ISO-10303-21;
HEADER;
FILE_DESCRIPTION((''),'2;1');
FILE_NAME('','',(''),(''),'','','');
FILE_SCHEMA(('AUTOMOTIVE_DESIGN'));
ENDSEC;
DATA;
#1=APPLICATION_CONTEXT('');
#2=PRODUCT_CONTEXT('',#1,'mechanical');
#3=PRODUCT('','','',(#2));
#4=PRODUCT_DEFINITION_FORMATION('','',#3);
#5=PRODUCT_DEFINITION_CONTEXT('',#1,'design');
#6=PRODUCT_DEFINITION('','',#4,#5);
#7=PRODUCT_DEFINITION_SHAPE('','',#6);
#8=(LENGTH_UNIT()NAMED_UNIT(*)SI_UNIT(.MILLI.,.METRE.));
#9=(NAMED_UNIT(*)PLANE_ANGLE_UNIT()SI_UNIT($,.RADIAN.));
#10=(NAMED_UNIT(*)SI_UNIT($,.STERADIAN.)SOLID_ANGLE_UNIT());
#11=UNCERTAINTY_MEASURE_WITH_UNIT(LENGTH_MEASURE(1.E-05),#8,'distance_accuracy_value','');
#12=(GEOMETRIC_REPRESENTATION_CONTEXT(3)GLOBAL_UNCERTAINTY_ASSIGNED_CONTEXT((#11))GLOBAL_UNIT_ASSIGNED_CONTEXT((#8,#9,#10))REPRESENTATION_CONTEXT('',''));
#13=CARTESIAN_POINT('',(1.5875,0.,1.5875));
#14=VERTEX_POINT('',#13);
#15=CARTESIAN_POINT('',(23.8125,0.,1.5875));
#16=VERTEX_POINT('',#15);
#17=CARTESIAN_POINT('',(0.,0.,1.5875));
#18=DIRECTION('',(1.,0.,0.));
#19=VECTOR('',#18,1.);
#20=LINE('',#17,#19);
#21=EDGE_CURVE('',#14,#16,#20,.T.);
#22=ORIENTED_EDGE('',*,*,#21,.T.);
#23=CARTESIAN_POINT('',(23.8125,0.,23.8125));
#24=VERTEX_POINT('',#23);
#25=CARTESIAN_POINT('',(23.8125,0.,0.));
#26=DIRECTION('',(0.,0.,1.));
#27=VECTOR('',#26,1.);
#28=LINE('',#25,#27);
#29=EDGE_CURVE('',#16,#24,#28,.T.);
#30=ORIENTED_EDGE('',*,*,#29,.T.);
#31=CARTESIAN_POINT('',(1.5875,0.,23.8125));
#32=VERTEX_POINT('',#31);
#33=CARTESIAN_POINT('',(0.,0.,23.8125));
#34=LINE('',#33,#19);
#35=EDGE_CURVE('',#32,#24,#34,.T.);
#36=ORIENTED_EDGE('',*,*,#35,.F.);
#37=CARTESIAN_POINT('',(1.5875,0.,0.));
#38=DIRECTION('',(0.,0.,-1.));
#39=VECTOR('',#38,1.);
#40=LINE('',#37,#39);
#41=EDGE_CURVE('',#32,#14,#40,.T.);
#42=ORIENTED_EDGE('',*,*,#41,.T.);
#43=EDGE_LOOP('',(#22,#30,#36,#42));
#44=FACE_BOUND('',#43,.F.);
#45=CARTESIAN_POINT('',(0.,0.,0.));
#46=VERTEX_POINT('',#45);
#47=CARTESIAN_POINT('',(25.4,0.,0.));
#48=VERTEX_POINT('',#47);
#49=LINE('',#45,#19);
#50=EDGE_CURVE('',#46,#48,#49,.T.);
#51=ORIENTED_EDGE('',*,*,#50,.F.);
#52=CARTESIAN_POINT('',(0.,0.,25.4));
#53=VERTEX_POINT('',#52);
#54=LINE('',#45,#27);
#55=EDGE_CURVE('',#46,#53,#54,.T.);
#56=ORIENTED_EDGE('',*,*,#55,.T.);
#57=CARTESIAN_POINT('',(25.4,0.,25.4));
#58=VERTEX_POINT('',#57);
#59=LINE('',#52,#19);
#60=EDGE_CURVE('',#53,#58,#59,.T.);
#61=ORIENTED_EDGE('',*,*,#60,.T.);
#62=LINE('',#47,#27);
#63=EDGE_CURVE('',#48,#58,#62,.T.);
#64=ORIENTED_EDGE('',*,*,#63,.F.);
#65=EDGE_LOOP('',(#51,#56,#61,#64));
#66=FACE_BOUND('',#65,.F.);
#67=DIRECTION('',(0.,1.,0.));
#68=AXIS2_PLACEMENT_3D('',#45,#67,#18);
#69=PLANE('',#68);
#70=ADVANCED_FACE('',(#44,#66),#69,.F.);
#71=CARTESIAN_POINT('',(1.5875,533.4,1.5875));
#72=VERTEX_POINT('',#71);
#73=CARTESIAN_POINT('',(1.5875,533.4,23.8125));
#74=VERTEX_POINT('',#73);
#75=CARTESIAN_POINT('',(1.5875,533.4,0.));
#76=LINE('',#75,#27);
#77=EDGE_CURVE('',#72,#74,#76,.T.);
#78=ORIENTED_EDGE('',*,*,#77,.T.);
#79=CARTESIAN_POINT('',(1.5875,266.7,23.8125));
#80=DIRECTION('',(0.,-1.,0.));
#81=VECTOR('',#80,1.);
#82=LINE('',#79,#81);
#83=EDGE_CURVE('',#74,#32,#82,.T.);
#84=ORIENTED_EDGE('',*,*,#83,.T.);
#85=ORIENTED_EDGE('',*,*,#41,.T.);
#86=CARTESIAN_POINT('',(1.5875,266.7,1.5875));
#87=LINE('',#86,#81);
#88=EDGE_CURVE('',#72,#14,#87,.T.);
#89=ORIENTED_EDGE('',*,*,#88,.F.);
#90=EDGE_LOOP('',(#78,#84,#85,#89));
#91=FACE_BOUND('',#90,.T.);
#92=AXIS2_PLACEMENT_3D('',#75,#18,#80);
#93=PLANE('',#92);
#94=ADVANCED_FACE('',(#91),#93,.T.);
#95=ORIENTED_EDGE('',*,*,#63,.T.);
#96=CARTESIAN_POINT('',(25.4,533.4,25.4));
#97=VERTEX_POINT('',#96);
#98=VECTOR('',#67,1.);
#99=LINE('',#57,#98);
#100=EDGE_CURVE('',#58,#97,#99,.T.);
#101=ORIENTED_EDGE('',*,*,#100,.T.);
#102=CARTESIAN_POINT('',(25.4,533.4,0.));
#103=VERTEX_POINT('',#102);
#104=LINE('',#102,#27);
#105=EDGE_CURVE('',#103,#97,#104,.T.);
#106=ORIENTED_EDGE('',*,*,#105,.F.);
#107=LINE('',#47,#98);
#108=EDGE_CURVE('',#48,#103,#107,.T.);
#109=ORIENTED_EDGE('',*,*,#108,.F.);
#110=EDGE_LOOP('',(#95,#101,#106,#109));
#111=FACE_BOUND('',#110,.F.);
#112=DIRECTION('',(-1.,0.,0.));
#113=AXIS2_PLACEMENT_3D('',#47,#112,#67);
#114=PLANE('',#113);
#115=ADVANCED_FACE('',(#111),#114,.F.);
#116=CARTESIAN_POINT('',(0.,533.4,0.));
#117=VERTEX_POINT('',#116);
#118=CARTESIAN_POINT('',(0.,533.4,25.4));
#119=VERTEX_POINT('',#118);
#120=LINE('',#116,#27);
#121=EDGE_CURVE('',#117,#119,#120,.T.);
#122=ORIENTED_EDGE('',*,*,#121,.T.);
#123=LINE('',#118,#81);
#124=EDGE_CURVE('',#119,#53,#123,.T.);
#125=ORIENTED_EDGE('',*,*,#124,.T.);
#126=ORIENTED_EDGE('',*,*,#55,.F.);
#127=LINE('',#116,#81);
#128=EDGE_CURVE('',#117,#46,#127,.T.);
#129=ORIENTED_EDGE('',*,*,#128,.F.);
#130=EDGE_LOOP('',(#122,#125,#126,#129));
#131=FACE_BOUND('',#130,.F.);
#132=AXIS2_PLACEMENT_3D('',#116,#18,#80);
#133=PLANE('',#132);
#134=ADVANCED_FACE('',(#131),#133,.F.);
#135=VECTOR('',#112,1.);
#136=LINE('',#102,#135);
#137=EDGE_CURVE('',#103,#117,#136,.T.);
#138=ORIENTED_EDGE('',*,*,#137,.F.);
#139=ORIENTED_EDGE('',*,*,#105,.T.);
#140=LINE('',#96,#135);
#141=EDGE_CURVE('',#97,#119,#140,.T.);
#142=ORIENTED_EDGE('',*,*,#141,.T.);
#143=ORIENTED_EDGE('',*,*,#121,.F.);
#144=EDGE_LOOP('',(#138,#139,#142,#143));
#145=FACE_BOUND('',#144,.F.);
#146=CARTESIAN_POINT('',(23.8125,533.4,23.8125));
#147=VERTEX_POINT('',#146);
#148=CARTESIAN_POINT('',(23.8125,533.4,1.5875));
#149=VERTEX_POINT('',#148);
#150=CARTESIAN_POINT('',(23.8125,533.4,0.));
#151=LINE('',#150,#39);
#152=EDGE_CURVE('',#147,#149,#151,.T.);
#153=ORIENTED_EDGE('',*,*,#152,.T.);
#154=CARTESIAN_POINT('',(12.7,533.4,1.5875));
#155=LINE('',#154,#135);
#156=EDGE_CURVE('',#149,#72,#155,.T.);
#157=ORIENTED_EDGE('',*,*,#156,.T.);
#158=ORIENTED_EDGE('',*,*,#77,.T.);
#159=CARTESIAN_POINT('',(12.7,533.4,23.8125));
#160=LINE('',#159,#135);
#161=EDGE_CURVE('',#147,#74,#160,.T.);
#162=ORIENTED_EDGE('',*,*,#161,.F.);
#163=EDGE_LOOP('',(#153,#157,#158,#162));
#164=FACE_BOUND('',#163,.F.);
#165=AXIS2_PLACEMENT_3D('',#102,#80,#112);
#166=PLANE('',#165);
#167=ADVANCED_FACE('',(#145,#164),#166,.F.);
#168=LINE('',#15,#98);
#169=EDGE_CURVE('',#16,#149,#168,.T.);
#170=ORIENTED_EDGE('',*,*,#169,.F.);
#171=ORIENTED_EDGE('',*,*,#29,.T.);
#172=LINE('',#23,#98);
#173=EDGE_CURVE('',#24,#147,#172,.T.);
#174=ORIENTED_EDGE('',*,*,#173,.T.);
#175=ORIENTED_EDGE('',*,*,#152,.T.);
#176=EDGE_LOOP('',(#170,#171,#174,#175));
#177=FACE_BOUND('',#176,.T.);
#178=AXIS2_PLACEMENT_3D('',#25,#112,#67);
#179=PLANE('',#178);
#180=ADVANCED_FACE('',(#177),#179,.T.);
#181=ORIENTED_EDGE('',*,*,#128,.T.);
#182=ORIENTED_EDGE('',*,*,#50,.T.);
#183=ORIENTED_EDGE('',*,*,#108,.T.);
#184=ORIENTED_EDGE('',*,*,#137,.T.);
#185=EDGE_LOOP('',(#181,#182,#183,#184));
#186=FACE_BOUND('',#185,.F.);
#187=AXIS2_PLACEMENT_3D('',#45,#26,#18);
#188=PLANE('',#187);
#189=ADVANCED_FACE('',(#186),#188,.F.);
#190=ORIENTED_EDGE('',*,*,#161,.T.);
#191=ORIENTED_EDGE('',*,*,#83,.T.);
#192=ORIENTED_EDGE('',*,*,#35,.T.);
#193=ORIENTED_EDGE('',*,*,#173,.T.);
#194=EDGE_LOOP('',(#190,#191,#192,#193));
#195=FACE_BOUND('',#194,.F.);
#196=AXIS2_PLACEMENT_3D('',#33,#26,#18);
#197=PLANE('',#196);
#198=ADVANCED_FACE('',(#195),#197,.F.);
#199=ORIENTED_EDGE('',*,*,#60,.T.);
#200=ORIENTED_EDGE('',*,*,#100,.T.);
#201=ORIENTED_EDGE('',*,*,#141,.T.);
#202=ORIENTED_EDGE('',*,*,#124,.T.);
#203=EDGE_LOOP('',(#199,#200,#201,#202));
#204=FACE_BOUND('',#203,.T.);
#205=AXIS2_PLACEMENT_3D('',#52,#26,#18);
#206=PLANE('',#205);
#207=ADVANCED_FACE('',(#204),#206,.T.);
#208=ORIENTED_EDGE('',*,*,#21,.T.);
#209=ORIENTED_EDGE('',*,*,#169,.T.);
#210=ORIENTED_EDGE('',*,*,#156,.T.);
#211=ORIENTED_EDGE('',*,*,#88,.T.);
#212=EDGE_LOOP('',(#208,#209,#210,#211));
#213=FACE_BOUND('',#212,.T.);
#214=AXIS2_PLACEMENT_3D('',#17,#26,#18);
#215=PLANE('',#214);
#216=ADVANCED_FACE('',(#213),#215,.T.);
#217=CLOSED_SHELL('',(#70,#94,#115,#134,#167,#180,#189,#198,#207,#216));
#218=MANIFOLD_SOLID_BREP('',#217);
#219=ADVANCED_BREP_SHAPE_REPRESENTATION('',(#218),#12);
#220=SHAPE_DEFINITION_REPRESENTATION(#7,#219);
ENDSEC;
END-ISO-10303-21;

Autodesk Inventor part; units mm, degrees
ref_plane "YZ Plane" through (0, 0, 0) normal (1, 0, 0) x (0, 1, 0)
ref_plane "XZ Plane" through (0, 0, 0) normal (0, 1, 0) x (-1, 0, 0)
ref_plane "XY Plane" through (0, 0, 0) normal (0, 0, 1) x (1, 0, 0)
sketch "Sketch1" plane through (0, 0, 0) normal (0, 0, 1) x (1, 0, 0)
  line L0 (0, 0) -> (25.4, 0)
  line L1 (25.4, 0) -> (25.4, 533.4)
  line L2 (25.4, 533.4) -> (0, 533.4)
  line L3 (0, 533.4) -> (0, 0)
  dimension "d0" = 533.4
  dimension "d1" = 25.4
extrude "Extrusion1" add sketch "Sketch1" along normal blind 25.4
shell "Shell1" thickness 1.5875 removed faces 2 at (16.9333, 533.4, 8.4667) at (8.4667, 0, 8.4667)
properties part number "Frame_MainVerticalSupport" material "Aluminum-6061"
